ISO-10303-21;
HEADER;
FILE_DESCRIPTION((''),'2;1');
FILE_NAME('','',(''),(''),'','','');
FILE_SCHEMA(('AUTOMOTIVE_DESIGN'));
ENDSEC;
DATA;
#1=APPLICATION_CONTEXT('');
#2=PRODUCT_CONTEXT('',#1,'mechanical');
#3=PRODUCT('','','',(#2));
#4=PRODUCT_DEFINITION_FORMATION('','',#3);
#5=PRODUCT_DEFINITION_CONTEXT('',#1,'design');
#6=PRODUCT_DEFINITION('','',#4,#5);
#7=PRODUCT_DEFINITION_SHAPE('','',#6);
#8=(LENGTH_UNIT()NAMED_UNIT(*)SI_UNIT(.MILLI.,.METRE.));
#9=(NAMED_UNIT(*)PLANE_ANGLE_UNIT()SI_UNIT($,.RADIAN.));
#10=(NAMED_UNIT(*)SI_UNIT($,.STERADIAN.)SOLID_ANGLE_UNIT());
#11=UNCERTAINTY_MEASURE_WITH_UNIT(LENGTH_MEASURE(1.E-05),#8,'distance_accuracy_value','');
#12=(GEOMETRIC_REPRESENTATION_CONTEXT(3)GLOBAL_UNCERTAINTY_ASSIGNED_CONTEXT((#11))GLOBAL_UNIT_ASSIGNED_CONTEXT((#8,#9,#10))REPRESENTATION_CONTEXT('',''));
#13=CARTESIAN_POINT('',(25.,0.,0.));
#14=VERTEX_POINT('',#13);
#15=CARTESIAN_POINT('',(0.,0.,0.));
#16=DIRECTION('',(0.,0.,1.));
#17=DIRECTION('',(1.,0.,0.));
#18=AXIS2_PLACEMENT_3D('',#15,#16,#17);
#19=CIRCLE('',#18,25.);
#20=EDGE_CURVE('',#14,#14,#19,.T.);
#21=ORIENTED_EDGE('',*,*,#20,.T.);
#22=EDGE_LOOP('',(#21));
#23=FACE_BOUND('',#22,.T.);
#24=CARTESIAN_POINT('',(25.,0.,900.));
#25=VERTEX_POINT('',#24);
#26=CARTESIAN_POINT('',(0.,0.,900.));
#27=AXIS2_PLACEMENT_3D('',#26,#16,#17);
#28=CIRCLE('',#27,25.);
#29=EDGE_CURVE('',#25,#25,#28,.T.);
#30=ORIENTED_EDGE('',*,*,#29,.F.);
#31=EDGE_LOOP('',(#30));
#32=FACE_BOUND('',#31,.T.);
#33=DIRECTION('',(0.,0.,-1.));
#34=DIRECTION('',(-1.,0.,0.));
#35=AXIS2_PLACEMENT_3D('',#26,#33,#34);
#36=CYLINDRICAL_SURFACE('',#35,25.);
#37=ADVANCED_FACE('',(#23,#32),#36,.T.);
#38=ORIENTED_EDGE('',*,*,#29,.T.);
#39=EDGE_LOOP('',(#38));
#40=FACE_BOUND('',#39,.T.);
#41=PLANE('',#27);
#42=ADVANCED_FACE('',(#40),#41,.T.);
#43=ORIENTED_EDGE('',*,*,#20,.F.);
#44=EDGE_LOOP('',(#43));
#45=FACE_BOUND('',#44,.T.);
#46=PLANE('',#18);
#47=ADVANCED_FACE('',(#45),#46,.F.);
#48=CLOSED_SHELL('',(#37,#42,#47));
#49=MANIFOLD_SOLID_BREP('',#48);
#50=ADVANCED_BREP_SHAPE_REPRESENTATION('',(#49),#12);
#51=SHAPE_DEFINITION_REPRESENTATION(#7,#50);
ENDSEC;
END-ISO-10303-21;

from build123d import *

# Parameters (mm, degrees)
SKETCH_2_R      = 25
EXTRUDE_1_DEPTH = 900


with BuildPart() as part:
    # ｽｹｯﾁ2 → ﾎﾞｽ - 押し出し1 (new body)
    with BuildSketch(Plane.XY):
        Circle(SKETCH_2_R)
    extrude(amount=EXTRUDE_1_DEPTH)


solid = part.part
